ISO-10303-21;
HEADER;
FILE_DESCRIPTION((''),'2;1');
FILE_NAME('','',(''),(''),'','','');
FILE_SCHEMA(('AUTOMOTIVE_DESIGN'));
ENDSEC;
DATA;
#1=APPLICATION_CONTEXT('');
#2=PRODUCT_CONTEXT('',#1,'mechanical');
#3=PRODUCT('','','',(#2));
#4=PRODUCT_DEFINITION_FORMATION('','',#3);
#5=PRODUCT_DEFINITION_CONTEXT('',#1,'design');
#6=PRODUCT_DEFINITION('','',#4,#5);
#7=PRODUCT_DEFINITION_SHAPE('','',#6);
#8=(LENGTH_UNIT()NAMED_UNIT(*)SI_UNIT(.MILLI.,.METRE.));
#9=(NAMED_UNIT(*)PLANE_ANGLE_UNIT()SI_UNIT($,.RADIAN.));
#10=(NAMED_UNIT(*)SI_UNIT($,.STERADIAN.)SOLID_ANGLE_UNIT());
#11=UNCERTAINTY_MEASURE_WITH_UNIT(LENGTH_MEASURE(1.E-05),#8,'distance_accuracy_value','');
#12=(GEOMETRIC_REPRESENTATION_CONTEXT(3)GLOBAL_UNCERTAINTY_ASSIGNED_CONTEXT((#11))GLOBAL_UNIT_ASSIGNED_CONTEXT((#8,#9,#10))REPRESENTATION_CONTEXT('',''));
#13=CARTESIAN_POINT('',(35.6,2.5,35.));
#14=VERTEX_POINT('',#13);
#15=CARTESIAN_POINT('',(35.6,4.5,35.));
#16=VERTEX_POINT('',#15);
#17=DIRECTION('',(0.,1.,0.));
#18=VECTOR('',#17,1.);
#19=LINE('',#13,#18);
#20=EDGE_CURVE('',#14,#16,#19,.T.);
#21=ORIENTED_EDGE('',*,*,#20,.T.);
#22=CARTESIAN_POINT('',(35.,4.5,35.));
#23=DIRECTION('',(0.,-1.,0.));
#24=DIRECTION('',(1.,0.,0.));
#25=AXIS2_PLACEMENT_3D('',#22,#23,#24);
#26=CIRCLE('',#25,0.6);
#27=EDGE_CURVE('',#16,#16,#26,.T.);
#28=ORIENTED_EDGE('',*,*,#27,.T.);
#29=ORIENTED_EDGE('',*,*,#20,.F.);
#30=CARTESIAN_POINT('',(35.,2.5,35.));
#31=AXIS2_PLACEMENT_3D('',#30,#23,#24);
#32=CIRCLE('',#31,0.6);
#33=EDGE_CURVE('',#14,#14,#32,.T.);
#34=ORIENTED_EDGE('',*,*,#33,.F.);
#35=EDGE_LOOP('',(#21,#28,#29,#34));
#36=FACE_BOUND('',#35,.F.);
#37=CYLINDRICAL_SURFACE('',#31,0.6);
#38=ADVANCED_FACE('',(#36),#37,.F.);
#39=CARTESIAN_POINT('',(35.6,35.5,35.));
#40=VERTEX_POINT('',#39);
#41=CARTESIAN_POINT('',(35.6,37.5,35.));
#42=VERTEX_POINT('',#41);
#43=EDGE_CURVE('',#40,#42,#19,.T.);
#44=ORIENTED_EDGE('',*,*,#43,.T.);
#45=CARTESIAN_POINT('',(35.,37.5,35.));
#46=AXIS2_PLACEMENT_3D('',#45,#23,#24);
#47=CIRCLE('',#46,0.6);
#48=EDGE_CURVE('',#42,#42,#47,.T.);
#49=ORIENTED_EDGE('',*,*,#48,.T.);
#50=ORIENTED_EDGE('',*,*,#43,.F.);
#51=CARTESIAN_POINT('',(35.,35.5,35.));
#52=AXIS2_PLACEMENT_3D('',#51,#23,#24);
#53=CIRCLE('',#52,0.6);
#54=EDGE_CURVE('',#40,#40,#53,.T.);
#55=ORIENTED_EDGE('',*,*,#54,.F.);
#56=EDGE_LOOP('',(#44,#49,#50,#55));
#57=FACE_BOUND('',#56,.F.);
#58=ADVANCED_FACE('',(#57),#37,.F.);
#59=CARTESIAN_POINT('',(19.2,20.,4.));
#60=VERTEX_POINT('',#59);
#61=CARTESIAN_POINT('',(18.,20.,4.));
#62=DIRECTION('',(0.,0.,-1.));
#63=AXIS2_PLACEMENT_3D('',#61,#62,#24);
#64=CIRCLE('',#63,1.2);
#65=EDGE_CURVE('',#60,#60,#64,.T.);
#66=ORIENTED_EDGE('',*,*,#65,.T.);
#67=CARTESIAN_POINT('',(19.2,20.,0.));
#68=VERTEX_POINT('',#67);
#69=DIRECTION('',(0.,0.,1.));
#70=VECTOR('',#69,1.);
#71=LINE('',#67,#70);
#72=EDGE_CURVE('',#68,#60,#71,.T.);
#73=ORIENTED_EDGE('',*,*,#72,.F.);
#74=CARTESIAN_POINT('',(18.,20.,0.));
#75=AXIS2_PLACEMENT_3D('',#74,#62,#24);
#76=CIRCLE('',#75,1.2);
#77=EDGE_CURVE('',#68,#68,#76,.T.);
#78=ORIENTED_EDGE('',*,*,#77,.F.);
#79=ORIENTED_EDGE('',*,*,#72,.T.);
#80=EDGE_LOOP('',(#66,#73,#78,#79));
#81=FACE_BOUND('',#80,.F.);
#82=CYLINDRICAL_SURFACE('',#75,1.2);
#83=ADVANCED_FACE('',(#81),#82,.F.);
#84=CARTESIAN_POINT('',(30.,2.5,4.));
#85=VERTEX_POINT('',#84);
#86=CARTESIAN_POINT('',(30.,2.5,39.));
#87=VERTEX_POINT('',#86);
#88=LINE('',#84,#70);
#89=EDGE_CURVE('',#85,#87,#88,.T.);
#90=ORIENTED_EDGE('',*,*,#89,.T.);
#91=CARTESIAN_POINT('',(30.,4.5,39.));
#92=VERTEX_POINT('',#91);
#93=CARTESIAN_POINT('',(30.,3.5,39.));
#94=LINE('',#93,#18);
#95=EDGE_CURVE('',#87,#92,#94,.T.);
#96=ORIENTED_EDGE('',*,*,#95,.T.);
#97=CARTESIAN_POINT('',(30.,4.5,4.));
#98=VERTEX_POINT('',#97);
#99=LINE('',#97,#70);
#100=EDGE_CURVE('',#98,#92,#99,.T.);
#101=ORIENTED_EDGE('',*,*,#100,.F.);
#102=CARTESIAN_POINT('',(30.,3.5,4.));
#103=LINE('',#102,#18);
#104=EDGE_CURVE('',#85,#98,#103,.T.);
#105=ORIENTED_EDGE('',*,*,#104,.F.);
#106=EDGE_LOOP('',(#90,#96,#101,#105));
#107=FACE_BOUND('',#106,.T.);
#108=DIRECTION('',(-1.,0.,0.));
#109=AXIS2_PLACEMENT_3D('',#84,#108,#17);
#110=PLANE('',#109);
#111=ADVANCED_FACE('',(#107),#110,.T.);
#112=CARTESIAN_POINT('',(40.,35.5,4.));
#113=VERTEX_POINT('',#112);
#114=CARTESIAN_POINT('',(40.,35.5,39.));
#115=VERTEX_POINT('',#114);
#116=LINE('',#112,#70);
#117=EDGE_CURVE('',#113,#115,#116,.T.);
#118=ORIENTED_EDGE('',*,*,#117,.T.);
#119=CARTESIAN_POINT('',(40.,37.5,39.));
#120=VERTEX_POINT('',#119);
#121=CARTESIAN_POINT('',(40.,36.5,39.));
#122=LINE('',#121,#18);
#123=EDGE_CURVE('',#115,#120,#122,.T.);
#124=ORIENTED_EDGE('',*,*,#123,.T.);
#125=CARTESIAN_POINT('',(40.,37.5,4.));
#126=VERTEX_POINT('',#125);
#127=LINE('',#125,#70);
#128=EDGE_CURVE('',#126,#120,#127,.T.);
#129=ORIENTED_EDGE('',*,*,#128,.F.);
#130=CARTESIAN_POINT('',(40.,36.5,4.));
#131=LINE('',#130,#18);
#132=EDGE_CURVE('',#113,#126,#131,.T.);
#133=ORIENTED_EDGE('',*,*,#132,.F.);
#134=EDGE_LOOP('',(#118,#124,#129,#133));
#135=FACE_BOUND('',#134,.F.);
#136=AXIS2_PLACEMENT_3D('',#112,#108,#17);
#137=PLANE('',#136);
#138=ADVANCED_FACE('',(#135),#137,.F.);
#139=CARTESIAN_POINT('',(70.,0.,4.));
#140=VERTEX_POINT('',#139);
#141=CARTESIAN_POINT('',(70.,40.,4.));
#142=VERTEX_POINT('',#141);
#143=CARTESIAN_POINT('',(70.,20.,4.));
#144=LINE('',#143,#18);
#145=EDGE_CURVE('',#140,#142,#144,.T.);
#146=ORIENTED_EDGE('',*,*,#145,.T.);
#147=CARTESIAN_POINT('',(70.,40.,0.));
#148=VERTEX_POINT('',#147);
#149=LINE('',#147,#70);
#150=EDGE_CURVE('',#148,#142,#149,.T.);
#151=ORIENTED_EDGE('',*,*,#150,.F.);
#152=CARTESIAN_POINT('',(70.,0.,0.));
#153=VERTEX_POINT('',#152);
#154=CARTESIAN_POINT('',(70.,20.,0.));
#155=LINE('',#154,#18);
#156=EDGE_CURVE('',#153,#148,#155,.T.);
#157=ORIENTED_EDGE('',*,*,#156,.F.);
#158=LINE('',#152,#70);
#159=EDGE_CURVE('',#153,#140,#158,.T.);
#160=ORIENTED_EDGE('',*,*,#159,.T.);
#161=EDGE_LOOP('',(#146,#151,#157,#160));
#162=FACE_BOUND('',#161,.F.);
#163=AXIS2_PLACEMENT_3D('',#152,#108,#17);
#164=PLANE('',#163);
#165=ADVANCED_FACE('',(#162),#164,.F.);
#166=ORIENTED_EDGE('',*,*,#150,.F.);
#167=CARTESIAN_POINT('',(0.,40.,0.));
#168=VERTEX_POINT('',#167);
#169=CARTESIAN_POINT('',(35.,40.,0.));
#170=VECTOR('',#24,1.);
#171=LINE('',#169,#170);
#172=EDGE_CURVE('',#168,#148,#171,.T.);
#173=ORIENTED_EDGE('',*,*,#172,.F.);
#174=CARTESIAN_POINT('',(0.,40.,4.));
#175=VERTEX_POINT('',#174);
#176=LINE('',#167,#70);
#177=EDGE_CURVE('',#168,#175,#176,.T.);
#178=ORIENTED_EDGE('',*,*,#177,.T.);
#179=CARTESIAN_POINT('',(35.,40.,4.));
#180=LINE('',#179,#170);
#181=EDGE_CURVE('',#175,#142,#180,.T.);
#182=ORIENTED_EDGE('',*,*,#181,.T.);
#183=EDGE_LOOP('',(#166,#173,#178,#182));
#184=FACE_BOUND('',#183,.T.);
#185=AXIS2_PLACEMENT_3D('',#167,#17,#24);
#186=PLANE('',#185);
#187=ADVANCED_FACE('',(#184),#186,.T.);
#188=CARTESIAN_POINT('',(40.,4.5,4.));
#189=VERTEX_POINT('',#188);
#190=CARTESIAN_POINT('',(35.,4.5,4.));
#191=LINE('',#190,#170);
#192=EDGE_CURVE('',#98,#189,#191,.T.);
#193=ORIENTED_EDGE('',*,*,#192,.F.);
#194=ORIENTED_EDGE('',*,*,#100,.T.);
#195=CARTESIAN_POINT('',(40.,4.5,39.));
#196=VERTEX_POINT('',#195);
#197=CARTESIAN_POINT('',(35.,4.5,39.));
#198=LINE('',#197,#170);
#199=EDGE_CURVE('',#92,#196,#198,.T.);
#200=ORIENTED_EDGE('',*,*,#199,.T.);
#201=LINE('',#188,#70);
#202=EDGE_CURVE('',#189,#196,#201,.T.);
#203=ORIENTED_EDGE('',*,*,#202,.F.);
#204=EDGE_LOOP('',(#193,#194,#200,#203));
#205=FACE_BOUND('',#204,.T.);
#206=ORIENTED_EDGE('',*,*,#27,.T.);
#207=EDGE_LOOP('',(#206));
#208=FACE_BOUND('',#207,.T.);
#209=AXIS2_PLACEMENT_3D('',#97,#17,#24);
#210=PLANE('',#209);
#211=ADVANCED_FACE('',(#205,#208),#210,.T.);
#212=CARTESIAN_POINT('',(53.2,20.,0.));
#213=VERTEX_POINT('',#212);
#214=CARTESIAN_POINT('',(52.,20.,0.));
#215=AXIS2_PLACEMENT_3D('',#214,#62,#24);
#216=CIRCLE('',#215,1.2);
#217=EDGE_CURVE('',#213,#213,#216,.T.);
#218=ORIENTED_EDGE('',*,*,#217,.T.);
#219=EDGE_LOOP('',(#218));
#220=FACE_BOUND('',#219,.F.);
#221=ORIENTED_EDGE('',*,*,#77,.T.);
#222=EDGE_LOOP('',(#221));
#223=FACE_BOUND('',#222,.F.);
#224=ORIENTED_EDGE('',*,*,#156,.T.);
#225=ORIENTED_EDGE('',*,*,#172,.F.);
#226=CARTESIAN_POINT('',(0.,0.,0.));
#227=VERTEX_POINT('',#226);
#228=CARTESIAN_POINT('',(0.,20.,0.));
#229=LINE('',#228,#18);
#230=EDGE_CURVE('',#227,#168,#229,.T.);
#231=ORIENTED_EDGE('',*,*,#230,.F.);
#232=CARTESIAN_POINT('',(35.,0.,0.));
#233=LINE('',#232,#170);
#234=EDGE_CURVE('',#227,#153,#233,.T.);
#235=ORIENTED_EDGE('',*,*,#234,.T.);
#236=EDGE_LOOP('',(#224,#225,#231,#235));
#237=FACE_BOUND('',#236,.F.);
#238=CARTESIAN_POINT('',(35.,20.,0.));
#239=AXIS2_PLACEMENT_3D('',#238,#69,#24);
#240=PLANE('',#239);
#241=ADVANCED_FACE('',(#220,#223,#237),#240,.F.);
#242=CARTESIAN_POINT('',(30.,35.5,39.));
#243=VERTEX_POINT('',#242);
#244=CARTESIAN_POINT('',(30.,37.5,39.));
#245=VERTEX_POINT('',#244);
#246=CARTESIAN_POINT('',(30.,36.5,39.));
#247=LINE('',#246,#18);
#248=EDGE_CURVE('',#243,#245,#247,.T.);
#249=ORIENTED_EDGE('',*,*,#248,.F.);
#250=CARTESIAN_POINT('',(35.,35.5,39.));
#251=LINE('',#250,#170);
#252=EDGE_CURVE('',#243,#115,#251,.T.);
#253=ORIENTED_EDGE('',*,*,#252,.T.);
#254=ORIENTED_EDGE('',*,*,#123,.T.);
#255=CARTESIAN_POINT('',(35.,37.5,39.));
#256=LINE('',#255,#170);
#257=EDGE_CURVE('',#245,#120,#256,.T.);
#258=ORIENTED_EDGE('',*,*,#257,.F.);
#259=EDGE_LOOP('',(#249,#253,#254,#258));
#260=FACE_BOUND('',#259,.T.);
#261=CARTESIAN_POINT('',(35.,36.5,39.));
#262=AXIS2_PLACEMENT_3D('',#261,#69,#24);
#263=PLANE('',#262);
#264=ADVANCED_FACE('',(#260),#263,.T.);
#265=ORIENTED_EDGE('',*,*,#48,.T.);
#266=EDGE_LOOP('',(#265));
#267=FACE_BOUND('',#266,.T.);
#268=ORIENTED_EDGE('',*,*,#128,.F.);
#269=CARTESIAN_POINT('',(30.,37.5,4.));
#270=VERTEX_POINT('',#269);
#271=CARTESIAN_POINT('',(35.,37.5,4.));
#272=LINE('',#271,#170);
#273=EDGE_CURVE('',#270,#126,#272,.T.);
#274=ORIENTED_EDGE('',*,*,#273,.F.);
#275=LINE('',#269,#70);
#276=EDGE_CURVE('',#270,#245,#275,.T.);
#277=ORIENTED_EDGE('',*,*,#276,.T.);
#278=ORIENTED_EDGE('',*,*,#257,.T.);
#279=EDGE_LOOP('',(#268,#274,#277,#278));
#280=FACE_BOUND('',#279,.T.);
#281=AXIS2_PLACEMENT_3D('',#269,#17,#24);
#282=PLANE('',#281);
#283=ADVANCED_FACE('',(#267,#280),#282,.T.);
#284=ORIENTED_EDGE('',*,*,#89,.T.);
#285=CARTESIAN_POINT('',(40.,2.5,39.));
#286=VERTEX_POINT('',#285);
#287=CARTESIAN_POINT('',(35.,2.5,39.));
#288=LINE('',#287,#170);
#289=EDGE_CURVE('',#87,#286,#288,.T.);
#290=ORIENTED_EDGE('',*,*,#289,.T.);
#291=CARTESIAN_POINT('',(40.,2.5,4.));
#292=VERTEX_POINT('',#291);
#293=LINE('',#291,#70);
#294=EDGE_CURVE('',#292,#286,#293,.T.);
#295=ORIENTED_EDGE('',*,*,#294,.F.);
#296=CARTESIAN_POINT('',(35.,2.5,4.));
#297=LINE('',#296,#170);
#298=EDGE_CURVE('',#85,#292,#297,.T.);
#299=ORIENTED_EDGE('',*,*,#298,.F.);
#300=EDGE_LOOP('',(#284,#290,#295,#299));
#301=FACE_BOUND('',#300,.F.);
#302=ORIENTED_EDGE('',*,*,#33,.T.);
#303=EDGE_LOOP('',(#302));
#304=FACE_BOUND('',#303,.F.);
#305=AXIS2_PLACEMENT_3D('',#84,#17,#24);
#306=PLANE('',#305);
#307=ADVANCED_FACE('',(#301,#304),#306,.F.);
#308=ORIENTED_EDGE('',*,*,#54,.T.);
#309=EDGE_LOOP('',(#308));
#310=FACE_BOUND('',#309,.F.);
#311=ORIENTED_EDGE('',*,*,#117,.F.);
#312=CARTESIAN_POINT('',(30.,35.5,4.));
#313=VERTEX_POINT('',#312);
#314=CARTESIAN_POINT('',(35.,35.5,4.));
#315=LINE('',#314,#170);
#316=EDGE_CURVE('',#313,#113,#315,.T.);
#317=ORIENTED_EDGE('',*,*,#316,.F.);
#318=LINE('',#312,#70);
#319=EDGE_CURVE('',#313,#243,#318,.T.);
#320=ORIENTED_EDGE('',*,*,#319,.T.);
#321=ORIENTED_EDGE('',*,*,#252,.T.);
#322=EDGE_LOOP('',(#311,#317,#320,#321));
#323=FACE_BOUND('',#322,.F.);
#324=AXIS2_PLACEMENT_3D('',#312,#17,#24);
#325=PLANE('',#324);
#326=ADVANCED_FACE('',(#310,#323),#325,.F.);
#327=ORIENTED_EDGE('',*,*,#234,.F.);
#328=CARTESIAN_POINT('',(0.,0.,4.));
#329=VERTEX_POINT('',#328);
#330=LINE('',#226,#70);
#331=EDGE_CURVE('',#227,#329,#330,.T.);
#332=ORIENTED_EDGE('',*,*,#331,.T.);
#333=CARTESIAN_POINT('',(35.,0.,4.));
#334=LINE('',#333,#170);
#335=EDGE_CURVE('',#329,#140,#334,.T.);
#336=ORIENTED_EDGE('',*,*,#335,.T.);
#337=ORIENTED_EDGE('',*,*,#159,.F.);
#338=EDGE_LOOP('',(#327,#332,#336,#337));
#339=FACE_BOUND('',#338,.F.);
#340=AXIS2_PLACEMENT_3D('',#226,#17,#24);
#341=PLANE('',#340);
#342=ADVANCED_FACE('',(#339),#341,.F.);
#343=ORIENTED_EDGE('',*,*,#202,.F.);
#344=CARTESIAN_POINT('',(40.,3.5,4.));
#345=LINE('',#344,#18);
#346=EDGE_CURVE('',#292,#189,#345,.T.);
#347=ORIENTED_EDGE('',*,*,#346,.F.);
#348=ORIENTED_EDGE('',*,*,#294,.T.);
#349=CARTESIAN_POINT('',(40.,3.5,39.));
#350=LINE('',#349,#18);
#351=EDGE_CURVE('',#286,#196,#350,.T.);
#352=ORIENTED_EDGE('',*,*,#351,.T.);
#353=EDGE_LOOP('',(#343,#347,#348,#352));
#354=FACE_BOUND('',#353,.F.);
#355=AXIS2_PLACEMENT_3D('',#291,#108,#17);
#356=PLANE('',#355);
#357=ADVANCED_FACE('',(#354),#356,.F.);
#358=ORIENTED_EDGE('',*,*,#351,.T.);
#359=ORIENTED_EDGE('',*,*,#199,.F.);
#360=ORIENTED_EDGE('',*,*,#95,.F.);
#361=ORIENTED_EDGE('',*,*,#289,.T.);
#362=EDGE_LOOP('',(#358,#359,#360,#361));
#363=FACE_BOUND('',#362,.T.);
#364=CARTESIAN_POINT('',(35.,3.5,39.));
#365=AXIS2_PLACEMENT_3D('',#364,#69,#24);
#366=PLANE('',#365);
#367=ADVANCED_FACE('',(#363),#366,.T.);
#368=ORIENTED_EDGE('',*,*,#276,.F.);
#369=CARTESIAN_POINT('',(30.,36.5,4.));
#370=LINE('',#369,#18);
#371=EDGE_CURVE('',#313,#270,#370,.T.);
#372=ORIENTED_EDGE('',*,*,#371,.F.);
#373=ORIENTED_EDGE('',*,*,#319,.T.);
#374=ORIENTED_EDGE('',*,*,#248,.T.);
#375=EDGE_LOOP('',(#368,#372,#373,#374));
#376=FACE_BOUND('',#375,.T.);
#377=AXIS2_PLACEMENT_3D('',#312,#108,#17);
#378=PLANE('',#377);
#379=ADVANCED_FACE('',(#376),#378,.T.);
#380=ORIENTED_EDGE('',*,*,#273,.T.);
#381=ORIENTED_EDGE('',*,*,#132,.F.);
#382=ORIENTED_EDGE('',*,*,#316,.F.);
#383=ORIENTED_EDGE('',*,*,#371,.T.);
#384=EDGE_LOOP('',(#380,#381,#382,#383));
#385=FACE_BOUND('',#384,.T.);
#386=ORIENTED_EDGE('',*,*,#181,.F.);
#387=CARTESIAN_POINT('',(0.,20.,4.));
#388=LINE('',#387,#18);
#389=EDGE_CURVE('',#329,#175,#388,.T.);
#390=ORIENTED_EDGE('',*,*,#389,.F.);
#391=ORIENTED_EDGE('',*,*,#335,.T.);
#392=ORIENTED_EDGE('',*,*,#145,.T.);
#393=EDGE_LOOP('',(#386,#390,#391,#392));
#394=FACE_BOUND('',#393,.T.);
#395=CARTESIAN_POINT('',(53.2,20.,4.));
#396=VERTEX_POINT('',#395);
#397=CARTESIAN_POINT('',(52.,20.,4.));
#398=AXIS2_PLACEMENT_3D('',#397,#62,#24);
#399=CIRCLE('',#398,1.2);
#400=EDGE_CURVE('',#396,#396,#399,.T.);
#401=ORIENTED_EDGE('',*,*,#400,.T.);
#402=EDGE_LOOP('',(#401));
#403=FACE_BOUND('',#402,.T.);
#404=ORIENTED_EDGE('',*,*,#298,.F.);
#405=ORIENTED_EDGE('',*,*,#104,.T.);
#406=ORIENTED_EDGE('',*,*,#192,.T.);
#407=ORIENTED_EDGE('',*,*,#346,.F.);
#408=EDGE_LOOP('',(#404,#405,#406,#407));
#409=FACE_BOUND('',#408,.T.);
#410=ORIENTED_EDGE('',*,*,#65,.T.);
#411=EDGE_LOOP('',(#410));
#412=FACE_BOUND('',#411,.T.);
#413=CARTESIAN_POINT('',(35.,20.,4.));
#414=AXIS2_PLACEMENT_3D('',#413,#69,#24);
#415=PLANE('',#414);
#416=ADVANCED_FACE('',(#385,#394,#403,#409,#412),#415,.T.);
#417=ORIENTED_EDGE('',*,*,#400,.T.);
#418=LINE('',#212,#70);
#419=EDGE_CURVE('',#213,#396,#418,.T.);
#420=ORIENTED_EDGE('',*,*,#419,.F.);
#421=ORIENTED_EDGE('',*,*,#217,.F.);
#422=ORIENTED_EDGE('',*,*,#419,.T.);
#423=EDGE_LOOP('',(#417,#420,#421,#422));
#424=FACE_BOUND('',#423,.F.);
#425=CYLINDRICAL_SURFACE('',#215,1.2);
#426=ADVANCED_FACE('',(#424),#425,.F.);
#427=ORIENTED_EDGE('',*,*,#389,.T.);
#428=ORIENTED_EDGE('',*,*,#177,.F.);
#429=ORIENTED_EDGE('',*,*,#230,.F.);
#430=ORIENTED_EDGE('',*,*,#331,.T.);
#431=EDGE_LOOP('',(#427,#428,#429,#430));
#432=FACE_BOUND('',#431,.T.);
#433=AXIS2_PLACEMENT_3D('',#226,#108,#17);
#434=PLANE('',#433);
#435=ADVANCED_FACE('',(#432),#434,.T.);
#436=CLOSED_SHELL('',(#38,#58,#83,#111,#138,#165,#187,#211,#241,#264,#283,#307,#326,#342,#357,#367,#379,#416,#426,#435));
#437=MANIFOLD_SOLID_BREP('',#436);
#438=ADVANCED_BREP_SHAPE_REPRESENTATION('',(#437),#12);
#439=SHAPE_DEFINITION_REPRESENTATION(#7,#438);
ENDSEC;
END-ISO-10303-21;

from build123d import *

# Parameters (mm, degrees)
SKETCH_W        = 70
SKETCH_H        = 40
PAD_DEPTH       = 4
SKETCH001_W     = 10
SKETCH001_H     = 2
PAD001_DEPTH    = 35
SKETCH002_R     = 0.6
POCKET_DEPTH    = 37
SKETCH003_R     = 1.2
POCKET001_DEPTH = 5


with BuildPart() as part:
    # Sketch → Pad (new body)
    with BuildSketch(Plane.XY):
        with Locations((35, 20)):
            Rectangle(SKETCH_W, SKETCH_H)
    extrude(amount=PAD_DEPTH)

    # Sketch001 (on Face6 of Pad) → Pad001 (join)
    with BuildSketch(Plane.XY.offset(4)):
        with Locations((35, 36.5)):
            Rectangle(SKETCH001_W, SKETCH001_H)
        with Locations((35, 3.5)):
            Rectangle(SKETCH001_W, SKETCH001_H)
    extrude(amount=PAD001_DEPTH)

    # Sketch002 (on Face8 of Pad001) → Pocket (cut)
    with BuildSketch(Plane.XZ.offset(-2.5)):
        with Locations((35, 35)):
            Circle(SKETCH002_R)
    extrude(amount=-POCKET_DEPTH, mode=Mode.SUBTRACT)

    # Sketch003 (on Face4 of Pocket) → Pocket001 (cut)
    with BuildSketch(Plane(origin=(0, 0, 0), x_dir=(1, 0, 0), z_dir=(0, 0, -1))):
        with Locations((18, -20)):
            Circle(SKETCH003_R)
        with Locations((52, -20)):
            Circle(SKETCH003_R)
    extrude(amount=-POCKET001_DEPTH, mode=Mode.SUBTRACT)


solid = part.part
